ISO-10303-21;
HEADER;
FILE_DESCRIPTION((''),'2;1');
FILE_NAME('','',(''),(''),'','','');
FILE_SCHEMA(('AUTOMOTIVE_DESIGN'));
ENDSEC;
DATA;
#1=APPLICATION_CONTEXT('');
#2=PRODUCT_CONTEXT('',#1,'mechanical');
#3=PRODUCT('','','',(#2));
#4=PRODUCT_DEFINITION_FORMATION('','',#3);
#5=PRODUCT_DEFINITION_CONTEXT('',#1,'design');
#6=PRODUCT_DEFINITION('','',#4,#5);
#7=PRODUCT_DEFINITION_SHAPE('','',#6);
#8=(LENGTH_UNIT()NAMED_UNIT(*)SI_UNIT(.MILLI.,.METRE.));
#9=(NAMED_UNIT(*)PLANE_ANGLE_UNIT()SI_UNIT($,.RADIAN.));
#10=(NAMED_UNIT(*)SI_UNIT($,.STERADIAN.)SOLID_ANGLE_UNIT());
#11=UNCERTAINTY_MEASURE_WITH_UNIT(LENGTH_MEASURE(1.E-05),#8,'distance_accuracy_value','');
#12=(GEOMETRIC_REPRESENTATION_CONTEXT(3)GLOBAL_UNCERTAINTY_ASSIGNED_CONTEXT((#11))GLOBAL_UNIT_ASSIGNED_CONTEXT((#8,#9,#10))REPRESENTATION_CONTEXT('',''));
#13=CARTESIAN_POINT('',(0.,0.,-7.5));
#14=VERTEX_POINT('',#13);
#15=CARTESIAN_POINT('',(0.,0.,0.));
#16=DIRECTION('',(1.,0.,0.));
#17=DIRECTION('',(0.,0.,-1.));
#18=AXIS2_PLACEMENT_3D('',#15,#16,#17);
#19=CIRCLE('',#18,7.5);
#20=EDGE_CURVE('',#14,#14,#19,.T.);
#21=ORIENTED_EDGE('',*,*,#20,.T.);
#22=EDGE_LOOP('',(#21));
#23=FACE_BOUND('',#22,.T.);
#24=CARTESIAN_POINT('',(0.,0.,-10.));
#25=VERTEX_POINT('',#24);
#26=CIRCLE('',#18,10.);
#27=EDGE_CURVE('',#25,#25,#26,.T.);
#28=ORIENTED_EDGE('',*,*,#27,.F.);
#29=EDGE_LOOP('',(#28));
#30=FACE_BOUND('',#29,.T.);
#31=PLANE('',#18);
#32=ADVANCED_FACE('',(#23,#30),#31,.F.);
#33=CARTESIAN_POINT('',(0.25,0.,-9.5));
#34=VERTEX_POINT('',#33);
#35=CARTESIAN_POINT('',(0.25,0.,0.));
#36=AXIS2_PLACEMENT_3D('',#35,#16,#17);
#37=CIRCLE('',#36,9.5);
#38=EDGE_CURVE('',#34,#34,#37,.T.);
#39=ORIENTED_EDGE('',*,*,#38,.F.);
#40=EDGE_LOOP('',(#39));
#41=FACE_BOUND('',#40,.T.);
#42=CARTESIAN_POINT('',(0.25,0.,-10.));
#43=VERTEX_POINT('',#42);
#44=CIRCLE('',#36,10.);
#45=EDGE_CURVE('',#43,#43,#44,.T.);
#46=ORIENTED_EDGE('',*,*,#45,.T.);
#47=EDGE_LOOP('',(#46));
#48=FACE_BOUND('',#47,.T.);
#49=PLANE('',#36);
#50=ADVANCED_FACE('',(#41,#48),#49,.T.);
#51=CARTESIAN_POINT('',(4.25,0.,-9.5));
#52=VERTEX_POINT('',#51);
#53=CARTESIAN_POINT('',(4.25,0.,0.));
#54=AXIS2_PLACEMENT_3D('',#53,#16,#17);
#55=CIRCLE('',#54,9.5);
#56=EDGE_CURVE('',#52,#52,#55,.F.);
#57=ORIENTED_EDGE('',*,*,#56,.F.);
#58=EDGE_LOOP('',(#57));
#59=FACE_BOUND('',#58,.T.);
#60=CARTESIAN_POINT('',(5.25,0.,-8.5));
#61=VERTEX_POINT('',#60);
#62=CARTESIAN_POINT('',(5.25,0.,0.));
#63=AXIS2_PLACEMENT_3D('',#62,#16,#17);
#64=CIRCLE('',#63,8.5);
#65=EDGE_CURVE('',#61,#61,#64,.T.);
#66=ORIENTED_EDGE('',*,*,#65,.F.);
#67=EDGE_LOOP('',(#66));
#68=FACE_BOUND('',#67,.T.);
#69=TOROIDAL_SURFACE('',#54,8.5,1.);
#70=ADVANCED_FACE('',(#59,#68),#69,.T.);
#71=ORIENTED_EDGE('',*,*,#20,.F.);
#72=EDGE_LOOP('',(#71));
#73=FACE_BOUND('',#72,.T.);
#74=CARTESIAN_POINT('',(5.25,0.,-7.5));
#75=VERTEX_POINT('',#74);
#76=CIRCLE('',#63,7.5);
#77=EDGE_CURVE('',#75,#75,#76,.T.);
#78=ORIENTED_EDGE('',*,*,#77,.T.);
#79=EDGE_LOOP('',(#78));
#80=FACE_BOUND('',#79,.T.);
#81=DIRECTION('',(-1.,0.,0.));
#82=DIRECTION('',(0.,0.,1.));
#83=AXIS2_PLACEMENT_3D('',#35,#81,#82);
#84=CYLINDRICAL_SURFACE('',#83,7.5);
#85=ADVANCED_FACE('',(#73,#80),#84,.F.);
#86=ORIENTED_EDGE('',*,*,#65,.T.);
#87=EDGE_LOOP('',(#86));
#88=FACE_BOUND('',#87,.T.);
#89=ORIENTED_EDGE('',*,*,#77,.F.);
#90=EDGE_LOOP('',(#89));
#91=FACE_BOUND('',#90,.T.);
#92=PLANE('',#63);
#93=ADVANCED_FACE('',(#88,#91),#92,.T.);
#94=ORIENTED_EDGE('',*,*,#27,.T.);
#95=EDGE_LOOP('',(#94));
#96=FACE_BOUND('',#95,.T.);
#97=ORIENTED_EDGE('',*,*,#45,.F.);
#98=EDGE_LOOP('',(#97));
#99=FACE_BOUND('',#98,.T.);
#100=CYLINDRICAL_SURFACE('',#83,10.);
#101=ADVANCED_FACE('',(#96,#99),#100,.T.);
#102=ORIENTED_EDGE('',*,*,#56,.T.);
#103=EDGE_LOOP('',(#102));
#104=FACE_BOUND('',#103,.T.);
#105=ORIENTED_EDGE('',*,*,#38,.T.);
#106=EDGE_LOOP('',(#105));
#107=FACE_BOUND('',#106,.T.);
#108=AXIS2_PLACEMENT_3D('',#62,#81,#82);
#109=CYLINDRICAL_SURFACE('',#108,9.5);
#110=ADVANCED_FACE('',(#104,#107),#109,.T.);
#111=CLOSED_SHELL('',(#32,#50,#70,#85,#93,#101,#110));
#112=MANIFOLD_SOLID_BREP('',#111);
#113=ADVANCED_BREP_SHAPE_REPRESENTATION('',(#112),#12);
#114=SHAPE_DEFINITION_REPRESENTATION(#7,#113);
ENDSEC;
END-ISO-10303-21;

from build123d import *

# Parameters (mm, degrees)
SKETCH1_R           = 10
SKETCH1_R_2         = 7.5
BOSS_EXTRUDE1_DEPTH = 0.25
SKETCH2_R           = 9.5
SKETCH2_R_2         = 7.5
BOSS_EXTRUDE2_DEPTH = 5
FILLET1_R           = 1


with BuildPart() as part:
    # Sketch1 → Boss-Extrude1 (new body)
    with BuildSketch(Plane(origin=(0, 0, 0), x_dir=(0, 0, -1), z_dir=(1, 0, 0))):
        Circle(SKETCH1_R)
        Circle(SKETCH1_R_2, mode=Mode.SUBTRACT)
    extrude(amount=BOSS_EXTRUDE1_DEPTH)

    # Sketch2 → Boss-Extrude2 (add)
    with BuildSketch(Plane(origin=(0.25, 0, 0), x_dir=(0, 0, -1), z_dir=(1, 0, 0))):
        Circle(SKETCH2_R)
        Circle(SKETCH2_R_2, mode=Mode.SUBTRACT)
    extrude(amount=BOSS_EXTRUDE2_DEPTH)

    # Fillet1
    fillet1_edges = [part.edges().sort_by_distance(p)[0] for p in [
        (5.25, 0, 9.5),
    ]]
    fillet(fillet1_edges, radius=FILLET1_R)


solid = part.part
